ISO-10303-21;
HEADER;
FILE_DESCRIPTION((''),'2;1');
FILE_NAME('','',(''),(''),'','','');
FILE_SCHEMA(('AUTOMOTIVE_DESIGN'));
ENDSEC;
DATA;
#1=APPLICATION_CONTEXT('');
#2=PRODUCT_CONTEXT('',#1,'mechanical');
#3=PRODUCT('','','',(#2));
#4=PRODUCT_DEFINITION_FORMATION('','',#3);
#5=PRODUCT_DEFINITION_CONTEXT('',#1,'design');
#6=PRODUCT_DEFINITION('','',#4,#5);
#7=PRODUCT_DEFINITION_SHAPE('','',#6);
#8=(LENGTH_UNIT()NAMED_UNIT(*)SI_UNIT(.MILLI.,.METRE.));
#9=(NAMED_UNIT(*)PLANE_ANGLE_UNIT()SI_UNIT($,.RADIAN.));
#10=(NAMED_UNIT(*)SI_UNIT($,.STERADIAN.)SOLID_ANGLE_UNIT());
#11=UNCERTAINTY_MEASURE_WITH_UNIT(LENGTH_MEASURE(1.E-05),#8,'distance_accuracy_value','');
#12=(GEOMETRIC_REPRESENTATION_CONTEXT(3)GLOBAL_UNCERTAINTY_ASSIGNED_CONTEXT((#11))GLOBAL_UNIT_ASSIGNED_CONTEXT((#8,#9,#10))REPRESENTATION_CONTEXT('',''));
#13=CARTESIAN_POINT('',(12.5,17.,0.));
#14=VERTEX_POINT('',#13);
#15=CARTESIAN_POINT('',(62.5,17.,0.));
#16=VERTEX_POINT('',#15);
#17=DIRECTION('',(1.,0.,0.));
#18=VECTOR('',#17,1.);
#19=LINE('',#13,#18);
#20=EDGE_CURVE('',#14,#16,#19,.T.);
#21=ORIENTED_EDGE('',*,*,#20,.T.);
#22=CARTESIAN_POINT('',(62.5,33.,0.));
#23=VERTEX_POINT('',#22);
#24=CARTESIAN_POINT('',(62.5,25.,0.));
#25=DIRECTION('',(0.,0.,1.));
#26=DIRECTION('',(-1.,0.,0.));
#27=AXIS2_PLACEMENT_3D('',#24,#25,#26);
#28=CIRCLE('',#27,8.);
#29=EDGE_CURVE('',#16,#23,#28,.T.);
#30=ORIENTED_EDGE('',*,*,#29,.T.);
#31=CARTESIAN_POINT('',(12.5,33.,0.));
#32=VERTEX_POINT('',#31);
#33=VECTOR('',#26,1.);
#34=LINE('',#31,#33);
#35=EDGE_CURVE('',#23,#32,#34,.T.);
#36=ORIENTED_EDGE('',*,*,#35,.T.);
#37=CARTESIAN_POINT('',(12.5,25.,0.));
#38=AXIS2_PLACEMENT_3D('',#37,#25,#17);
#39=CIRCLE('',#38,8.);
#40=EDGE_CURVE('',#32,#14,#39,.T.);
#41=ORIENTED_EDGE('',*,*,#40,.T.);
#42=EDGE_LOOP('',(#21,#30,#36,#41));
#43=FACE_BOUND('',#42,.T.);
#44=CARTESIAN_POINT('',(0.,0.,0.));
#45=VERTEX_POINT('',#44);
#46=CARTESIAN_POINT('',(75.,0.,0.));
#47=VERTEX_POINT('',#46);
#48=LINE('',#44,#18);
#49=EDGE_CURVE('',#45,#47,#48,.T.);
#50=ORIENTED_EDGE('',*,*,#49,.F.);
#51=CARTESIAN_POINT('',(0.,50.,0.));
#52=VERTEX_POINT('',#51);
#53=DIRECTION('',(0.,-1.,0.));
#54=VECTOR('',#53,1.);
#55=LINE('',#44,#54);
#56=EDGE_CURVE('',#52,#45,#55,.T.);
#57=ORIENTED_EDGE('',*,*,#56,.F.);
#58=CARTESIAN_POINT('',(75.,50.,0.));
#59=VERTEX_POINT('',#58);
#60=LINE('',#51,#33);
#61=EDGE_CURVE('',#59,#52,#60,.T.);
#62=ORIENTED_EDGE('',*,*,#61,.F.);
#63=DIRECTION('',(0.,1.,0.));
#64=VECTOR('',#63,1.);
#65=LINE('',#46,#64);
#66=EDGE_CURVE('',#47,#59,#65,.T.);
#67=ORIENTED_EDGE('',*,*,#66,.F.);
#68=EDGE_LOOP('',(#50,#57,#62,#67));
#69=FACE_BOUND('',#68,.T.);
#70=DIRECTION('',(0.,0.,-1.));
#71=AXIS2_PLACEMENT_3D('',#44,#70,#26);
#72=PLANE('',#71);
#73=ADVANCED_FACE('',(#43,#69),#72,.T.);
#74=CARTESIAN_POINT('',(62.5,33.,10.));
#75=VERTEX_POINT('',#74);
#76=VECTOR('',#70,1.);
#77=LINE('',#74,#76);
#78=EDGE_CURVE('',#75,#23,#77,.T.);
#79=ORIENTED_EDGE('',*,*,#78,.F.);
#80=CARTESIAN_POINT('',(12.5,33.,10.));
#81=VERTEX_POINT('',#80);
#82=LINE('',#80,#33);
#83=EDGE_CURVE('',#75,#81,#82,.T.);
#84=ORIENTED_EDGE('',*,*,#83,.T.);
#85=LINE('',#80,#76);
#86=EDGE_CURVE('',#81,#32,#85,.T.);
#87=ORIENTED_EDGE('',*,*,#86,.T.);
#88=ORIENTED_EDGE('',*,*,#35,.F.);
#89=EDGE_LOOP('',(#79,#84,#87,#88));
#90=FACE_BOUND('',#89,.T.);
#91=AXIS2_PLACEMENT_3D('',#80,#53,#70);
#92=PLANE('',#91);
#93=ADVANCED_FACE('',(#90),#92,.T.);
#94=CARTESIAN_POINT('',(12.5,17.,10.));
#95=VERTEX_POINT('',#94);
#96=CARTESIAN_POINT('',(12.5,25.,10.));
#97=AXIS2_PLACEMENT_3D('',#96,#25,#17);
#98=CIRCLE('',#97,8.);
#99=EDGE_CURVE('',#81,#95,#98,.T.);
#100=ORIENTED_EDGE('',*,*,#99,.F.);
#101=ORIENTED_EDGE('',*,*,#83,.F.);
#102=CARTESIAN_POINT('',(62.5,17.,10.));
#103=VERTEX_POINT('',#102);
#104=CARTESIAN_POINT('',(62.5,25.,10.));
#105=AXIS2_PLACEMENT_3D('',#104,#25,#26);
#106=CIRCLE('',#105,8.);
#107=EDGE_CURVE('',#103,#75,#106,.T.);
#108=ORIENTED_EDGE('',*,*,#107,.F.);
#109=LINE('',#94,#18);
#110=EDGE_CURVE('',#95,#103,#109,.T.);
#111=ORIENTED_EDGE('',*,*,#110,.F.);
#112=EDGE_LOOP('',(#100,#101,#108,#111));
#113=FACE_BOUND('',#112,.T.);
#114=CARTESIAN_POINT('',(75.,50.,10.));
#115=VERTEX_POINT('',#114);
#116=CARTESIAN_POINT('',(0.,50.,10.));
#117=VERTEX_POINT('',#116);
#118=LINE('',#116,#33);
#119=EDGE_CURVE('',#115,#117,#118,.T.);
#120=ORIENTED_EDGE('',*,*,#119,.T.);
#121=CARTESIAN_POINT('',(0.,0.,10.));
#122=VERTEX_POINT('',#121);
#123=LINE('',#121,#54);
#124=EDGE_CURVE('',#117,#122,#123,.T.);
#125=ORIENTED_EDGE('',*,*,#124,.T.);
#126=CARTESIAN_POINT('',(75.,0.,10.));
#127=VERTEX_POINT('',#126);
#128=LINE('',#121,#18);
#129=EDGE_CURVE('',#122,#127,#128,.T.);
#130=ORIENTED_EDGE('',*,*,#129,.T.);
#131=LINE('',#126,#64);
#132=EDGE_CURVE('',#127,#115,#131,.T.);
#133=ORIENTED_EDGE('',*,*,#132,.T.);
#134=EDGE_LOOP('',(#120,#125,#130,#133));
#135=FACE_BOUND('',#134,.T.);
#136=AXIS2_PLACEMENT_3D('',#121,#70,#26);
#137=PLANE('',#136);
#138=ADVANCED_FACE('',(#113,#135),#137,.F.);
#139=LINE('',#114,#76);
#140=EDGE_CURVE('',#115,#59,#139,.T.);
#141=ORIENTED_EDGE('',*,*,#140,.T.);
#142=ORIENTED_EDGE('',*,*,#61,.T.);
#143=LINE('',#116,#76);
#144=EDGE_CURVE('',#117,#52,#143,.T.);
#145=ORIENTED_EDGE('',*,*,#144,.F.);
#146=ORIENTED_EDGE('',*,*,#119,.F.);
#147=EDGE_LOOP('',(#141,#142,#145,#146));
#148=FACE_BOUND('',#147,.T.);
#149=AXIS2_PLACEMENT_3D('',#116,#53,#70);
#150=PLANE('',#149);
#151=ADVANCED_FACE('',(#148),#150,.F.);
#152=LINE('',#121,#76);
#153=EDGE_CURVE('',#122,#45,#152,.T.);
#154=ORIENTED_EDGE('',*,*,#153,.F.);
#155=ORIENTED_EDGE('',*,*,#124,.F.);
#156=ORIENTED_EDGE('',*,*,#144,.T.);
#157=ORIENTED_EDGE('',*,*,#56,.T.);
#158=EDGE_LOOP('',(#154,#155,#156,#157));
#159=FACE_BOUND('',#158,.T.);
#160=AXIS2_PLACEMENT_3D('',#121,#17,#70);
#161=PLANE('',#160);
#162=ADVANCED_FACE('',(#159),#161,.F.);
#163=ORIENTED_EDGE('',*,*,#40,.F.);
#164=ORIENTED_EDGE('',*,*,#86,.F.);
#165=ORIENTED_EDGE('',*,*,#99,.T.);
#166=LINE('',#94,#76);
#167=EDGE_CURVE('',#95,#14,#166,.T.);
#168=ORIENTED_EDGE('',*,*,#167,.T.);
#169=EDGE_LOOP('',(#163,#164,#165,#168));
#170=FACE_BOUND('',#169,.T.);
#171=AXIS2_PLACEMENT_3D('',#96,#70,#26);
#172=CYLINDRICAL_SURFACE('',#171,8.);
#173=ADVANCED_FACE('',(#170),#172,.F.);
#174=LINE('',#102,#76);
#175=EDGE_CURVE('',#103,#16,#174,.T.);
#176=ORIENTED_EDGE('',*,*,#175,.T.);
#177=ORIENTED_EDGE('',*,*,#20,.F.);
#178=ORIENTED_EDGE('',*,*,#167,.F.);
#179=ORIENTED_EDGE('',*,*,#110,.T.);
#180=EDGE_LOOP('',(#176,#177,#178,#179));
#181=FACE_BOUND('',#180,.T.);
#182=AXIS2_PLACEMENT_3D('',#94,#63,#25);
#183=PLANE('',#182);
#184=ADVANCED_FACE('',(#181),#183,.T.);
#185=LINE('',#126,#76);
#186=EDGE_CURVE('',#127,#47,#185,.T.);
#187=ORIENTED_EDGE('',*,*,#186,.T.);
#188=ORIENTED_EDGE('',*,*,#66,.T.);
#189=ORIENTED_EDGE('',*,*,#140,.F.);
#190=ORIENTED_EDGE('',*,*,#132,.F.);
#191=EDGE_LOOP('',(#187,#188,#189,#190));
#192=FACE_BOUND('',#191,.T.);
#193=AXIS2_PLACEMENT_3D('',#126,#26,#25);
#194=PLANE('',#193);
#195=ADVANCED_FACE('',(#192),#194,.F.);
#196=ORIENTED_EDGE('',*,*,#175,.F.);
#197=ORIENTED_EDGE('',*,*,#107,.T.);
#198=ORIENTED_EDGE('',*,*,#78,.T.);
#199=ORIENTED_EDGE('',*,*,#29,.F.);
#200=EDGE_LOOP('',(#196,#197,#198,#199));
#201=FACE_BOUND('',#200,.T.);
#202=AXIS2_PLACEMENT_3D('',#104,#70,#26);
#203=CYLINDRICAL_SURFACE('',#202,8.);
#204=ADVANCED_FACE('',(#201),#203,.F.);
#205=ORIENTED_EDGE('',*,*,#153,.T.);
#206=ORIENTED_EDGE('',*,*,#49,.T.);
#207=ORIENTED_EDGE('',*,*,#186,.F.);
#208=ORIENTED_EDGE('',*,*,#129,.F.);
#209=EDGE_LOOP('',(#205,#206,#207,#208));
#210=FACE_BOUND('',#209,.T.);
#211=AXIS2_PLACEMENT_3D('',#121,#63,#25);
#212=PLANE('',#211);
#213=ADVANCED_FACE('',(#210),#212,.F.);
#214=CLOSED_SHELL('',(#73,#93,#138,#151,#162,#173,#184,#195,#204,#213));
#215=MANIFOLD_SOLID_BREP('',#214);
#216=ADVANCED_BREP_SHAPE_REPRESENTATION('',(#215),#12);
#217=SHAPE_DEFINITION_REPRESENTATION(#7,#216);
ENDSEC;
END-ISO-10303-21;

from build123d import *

# Parameters (mm, degrees)
SKETCH1_W           = 75
SKETCH1_H           = 50
BOSS_EXTRUDE1_DEPTH = 10


with BuildPart() as part:
    # Sketch1 → Boss-Extrude1 (new body)
    with BuildSketch(Plane.XY):
        with Locations((37.5, 25)):
            Rectangle(SKETCH1_W, SKETCH1_H)
        with BuildLine():
            Line((12.5, 33), (62.5, 33))
            ThreePointArc((62.5, 33), (70.5, 25), (62.5, 17))
            Line((62.5, 17), (12.5, 17))
            ThreePointArc((12.5, 17), (4.5, 25), (12.5, 33))
        make_face(mode=Mode.SUBTRACT)
    extrude(amount=BOSS_EXTRUDE1_DEPTH)


solid = part.part
